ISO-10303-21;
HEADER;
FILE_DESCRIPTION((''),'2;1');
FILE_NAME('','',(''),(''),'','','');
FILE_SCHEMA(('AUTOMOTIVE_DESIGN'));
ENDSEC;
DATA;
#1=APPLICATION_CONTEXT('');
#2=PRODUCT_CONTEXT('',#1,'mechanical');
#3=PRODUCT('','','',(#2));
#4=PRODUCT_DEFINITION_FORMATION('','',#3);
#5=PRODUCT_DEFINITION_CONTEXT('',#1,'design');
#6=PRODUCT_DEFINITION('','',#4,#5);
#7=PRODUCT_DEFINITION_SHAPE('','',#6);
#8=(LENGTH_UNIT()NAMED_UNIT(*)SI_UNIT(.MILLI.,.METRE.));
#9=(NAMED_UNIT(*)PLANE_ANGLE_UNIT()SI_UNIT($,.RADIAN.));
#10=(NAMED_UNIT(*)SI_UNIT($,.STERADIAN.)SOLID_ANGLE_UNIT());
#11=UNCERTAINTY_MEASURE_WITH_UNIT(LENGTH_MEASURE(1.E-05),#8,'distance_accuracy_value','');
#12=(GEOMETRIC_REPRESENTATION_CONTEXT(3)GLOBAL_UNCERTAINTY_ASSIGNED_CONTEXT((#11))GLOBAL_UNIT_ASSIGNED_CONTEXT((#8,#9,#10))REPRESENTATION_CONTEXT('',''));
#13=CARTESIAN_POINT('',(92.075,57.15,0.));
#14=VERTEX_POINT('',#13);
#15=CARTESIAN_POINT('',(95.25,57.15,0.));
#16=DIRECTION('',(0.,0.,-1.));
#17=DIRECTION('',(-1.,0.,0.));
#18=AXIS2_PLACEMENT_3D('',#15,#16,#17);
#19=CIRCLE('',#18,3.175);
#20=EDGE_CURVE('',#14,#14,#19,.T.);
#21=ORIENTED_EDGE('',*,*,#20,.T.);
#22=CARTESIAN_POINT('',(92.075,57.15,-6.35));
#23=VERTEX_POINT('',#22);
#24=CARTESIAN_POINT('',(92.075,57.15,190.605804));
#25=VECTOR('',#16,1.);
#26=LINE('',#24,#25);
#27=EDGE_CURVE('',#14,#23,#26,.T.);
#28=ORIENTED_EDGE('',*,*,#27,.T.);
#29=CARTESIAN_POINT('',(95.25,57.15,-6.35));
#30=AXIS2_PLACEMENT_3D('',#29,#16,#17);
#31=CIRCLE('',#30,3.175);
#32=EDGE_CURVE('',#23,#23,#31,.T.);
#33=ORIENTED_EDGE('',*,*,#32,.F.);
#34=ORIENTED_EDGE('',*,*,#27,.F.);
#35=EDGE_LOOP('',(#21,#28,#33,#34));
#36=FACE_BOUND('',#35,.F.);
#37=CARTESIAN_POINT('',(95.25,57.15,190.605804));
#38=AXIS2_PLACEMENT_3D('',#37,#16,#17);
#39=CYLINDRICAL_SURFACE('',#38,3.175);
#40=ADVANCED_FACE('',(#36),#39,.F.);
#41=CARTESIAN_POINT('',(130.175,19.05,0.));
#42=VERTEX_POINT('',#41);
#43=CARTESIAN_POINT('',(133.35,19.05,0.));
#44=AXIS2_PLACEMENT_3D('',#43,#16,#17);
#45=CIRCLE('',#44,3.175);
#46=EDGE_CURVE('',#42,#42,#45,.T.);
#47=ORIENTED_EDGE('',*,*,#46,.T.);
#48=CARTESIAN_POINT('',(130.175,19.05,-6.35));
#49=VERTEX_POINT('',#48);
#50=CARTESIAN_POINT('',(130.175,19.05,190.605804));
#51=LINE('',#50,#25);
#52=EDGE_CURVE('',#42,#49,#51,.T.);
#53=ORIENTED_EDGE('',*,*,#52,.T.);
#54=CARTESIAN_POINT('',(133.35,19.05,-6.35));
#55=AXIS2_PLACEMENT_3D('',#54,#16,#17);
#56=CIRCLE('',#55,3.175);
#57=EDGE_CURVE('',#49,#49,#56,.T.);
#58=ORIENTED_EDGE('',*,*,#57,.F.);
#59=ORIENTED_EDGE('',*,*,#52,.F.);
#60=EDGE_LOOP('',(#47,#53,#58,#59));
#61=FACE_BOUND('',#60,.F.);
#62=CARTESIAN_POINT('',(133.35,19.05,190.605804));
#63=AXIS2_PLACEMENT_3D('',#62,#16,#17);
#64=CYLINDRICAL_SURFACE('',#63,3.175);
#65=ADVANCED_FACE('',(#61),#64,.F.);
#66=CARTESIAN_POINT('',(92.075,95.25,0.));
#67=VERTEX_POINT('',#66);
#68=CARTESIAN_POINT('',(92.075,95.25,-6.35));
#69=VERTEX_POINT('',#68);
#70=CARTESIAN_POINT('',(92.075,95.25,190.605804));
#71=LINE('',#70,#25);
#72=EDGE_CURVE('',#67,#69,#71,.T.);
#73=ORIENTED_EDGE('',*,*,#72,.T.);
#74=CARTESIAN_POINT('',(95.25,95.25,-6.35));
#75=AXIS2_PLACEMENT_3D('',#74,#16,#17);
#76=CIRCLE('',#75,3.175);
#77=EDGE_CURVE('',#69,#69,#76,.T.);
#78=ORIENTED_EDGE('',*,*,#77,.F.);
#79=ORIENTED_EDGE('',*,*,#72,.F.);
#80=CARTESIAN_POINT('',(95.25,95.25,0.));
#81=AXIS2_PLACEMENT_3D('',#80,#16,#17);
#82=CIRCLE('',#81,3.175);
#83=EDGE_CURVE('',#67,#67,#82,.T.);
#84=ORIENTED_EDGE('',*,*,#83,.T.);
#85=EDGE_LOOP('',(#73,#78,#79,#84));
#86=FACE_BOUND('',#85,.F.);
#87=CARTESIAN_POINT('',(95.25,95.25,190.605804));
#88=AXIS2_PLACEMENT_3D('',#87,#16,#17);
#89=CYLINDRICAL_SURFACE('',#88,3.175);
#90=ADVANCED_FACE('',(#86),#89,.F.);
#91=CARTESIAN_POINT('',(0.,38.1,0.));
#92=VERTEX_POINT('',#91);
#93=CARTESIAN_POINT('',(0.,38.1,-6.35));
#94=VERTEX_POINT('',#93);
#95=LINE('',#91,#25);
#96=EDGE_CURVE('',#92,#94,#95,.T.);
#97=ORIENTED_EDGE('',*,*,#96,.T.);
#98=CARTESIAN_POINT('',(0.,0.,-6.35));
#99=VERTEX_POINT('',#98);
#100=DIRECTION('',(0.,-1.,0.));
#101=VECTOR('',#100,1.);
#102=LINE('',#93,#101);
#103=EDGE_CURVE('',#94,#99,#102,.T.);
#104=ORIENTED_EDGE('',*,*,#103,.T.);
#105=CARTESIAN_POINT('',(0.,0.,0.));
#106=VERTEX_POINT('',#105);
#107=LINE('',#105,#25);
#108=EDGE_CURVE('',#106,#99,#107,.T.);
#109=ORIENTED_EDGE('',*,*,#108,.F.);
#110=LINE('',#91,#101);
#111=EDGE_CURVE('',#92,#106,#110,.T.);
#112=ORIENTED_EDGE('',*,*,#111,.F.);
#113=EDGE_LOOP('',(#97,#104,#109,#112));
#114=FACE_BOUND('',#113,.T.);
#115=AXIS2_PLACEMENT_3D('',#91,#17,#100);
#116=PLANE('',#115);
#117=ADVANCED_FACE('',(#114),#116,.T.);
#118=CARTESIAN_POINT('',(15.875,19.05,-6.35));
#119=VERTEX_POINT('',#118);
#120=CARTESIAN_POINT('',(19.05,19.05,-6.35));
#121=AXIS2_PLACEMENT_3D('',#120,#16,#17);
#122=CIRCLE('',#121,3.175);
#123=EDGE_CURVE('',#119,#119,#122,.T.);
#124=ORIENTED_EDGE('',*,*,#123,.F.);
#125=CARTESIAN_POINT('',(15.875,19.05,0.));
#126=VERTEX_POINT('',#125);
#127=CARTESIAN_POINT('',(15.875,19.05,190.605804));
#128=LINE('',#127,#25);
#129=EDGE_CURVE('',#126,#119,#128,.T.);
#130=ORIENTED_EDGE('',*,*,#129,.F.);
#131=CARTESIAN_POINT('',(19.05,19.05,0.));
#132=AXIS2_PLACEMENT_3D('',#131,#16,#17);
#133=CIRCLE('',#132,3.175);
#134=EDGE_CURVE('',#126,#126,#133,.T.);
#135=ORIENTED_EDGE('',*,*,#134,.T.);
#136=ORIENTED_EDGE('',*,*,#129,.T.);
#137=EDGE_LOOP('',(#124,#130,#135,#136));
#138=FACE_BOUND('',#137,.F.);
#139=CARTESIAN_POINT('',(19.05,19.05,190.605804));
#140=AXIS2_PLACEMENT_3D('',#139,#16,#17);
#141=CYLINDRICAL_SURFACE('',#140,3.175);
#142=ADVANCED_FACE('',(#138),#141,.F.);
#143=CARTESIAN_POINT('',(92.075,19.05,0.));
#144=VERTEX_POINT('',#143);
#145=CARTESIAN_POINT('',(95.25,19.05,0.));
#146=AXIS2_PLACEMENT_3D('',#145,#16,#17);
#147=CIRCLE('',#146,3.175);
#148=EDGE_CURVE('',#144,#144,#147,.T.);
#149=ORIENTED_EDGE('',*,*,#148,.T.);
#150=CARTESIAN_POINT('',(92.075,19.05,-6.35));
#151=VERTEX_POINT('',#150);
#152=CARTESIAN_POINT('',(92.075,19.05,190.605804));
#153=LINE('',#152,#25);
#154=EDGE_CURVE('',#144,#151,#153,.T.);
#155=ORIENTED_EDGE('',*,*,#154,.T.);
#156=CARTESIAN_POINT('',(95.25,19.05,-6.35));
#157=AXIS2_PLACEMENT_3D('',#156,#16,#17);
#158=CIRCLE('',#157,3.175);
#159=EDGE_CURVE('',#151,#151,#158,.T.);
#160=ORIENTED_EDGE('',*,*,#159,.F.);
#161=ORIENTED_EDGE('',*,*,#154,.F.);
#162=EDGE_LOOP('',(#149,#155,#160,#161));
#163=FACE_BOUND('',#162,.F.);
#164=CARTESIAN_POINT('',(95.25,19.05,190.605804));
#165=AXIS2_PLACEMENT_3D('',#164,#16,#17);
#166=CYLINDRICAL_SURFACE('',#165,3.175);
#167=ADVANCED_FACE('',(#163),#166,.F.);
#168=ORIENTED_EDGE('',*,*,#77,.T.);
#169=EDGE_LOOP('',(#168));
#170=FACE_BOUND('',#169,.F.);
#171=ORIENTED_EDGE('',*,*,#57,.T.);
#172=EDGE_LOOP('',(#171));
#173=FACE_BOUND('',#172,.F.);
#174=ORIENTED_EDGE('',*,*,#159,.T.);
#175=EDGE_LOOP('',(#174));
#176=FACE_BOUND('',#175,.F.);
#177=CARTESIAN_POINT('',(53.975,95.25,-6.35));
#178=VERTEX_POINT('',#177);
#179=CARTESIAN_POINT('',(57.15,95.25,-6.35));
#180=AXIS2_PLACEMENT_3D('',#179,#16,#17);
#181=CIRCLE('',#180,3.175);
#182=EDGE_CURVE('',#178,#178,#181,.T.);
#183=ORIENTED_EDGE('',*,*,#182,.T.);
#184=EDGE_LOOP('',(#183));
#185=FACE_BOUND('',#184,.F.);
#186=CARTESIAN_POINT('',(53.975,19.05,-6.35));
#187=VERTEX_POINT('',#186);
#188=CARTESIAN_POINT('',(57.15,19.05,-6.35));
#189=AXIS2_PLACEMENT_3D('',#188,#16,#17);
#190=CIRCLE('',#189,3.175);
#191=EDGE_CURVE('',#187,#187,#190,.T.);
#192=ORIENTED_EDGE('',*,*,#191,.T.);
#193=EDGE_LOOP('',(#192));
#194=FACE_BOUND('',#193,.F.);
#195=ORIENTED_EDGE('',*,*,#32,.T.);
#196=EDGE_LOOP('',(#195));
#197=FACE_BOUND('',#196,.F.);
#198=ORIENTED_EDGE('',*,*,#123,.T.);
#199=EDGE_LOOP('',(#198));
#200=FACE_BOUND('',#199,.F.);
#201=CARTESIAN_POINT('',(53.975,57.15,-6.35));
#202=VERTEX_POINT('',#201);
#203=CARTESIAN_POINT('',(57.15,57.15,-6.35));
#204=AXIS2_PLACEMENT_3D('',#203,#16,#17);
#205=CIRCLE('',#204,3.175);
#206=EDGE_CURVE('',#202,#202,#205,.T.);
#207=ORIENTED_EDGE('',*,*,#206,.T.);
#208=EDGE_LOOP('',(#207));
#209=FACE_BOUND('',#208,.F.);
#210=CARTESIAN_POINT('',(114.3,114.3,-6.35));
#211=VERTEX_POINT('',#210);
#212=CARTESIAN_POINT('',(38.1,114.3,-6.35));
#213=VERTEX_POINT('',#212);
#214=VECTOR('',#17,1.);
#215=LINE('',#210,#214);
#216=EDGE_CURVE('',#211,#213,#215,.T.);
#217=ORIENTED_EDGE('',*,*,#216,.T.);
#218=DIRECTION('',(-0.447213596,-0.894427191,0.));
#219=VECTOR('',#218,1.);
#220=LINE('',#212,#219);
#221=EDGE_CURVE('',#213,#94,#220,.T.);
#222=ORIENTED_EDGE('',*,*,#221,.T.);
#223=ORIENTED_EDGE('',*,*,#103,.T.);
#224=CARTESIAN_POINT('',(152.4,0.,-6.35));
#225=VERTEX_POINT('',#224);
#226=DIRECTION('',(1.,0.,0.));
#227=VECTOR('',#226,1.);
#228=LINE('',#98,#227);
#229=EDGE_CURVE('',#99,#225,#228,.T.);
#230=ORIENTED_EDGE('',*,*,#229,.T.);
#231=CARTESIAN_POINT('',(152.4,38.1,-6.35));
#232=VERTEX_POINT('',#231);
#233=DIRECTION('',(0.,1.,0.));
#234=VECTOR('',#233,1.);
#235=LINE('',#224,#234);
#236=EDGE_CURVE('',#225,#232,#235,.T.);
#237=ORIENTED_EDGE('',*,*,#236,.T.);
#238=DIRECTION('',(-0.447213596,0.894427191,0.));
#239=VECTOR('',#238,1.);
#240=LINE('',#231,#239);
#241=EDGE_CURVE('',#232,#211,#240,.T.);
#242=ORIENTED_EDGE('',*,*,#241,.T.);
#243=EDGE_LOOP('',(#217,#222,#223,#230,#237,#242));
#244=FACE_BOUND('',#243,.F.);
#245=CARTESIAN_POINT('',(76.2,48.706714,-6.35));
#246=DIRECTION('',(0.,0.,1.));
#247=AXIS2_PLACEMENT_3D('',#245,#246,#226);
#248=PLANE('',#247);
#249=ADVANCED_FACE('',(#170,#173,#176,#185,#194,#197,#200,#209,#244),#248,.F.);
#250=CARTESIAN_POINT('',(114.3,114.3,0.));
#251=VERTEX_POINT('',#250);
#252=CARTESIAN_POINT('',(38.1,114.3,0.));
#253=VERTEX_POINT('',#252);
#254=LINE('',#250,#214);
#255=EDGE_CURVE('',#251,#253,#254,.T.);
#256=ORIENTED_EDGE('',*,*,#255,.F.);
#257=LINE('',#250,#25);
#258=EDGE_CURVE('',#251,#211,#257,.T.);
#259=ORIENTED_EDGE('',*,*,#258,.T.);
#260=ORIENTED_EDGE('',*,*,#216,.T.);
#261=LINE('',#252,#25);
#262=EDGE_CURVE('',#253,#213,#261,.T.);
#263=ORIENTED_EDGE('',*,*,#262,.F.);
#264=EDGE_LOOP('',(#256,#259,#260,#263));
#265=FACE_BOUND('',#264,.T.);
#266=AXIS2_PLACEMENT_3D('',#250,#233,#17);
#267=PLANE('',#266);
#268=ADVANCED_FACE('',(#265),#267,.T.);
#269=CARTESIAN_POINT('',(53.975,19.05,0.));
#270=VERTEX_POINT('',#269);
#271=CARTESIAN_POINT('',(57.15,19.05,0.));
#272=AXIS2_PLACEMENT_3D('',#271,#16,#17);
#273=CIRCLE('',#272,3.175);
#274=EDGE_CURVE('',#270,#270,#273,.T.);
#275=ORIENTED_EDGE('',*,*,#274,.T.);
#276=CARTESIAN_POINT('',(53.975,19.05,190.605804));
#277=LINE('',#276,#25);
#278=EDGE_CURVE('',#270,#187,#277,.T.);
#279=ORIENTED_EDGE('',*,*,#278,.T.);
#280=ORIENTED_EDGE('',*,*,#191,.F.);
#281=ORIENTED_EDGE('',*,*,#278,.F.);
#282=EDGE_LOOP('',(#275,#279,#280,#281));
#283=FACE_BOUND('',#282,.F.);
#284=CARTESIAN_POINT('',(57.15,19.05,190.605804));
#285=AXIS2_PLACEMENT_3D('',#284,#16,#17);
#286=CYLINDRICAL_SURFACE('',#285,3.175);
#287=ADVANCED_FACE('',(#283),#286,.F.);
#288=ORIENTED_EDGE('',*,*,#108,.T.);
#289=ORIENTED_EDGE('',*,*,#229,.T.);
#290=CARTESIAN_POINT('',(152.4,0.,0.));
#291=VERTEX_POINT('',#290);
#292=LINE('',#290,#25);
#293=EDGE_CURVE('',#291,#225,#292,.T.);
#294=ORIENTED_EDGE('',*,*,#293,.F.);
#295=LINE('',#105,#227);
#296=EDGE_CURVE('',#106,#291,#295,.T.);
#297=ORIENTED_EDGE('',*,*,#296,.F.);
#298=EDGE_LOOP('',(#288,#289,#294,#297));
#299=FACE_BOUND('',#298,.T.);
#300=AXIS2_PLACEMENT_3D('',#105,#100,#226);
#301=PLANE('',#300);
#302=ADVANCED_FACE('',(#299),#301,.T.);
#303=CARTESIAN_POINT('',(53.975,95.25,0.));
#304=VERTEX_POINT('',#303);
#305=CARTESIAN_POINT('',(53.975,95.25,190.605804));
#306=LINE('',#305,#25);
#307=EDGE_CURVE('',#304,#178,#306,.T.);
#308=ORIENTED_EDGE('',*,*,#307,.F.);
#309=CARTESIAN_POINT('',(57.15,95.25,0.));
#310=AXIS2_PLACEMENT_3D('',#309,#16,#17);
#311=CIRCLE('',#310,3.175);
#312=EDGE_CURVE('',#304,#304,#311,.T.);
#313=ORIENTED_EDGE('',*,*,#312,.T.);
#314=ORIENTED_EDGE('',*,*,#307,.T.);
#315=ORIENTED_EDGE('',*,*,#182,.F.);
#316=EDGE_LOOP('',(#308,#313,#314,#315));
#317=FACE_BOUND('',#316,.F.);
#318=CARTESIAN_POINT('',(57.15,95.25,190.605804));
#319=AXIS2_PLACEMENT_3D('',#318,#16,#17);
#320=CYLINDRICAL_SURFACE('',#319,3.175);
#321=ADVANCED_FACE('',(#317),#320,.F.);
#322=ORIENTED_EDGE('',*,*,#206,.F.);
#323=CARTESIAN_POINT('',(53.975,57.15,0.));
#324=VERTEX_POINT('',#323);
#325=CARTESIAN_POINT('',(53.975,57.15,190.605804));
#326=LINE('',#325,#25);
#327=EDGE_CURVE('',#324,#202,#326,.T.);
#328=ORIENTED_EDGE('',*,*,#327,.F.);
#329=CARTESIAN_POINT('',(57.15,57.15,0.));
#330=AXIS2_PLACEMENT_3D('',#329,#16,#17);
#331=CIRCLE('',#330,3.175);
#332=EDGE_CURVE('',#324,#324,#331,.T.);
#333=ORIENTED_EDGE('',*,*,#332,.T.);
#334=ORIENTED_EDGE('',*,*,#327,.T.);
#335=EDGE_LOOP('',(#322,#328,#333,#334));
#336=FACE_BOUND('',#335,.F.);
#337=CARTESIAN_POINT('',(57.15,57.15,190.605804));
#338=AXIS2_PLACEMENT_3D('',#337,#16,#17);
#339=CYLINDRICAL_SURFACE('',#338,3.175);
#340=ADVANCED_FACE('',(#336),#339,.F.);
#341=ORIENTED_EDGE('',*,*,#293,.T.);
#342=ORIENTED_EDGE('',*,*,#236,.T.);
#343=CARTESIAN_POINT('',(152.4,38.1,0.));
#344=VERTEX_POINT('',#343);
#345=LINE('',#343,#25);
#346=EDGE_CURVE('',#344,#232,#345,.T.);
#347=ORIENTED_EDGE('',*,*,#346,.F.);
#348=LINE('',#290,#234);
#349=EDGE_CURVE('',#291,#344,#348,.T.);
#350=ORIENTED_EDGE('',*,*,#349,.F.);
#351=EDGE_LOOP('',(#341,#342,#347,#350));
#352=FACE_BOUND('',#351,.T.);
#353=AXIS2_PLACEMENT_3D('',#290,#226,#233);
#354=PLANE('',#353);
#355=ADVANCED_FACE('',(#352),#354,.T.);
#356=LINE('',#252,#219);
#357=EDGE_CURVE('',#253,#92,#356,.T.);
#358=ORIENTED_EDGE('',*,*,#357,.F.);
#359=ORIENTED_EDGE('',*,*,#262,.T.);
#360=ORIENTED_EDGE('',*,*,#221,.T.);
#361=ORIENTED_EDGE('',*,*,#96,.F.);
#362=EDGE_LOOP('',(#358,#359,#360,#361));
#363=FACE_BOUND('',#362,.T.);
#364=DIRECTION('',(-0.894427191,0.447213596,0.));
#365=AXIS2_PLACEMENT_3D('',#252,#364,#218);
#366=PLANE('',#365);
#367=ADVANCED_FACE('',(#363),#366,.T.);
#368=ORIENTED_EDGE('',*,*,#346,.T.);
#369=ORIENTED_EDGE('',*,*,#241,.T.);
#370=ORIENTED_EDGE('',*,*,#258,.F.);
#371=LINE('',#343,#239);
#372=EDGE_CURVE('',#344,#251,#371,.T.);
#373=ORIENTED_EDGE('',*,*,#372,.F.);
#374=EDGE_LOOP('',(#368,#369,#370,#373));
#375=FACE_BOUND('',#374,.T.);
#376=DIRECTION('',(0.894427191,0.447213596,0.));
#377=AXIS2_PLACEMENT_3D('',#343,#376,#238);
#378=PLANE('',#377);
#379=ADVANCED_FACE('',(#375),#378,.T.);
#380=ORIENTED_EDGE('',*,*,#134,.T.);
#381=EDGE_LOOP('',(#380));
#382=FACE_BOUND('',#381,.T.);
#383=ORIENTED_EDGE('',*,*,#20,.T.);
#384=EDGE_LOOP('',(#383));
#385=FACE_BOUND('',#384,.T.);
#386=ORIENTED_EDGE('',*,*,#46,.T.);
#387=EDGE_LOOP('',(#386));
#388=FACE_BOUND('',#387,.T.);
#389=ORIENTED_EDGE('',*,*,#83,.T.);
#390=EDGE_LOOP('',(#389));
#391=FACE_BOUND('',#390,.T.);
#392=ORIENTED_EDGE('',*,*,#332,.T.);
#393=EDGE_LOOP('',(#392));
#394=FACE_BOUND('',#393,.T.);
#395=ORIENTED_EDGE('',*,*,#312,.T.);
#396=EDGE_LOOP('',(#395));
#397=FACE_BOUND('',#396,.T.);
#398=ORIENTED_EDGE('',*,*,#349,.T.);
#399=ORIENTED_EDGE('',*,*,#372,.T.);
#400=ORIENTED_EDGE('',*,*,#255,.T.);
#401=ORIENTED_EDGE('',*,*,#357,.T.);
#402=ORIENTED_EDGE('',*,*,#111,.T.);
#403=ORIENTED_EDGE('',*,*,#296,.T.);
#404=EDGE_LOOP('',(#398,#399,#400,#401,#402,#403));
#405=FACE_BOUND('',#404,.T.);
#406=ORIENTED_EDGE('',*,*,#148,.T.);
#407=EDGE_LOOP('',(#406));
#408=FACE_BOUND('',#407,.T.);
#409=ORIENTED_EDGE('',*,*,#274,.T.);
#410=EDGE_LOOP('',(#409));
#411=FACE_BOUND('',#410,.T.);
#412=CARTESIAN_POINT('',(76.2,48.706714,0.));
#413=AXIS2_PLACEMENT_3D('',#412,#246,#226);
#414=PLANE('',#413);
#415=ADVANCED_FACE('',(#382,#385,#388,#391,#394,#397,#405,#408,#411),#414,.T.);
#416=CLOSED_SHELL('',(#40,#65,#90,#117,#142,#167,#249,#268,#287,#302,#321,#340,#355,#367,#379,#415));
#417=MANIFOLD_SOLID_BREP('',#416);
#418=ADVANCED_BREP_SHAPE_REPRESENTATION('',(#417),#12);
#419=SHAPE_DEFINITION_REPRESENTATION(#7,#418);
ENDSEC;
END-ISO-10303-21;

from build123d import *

# Parameters (mm, degrees)
F1_DEPTH = 6.35
F2_D     = 6.35


with BuildPart() as f1:
    # F0 (on Top) → F1 (new body)
    with BuildSketch(Plane.XY):
        Polygon((0, 38.1), (0, 0), (152.4, 0), (152.4, 38.1), (114.3, 114.3), (38.1, 114.3), align=None)
    extrude(amount=-F1_DEPTH)

    # F2 (through all)
    with Locations(Plane.XY):
        with Locations((57.15, 95.25), (95.25, 95.25), (95.25, 57.15), (57.15, 57.15), (19.05, 19.05), (57.15, 19.05), (95.25, 19.05), (133.35, 19.05)):
            Hole(F2_D / 2)


solid = f1.part
